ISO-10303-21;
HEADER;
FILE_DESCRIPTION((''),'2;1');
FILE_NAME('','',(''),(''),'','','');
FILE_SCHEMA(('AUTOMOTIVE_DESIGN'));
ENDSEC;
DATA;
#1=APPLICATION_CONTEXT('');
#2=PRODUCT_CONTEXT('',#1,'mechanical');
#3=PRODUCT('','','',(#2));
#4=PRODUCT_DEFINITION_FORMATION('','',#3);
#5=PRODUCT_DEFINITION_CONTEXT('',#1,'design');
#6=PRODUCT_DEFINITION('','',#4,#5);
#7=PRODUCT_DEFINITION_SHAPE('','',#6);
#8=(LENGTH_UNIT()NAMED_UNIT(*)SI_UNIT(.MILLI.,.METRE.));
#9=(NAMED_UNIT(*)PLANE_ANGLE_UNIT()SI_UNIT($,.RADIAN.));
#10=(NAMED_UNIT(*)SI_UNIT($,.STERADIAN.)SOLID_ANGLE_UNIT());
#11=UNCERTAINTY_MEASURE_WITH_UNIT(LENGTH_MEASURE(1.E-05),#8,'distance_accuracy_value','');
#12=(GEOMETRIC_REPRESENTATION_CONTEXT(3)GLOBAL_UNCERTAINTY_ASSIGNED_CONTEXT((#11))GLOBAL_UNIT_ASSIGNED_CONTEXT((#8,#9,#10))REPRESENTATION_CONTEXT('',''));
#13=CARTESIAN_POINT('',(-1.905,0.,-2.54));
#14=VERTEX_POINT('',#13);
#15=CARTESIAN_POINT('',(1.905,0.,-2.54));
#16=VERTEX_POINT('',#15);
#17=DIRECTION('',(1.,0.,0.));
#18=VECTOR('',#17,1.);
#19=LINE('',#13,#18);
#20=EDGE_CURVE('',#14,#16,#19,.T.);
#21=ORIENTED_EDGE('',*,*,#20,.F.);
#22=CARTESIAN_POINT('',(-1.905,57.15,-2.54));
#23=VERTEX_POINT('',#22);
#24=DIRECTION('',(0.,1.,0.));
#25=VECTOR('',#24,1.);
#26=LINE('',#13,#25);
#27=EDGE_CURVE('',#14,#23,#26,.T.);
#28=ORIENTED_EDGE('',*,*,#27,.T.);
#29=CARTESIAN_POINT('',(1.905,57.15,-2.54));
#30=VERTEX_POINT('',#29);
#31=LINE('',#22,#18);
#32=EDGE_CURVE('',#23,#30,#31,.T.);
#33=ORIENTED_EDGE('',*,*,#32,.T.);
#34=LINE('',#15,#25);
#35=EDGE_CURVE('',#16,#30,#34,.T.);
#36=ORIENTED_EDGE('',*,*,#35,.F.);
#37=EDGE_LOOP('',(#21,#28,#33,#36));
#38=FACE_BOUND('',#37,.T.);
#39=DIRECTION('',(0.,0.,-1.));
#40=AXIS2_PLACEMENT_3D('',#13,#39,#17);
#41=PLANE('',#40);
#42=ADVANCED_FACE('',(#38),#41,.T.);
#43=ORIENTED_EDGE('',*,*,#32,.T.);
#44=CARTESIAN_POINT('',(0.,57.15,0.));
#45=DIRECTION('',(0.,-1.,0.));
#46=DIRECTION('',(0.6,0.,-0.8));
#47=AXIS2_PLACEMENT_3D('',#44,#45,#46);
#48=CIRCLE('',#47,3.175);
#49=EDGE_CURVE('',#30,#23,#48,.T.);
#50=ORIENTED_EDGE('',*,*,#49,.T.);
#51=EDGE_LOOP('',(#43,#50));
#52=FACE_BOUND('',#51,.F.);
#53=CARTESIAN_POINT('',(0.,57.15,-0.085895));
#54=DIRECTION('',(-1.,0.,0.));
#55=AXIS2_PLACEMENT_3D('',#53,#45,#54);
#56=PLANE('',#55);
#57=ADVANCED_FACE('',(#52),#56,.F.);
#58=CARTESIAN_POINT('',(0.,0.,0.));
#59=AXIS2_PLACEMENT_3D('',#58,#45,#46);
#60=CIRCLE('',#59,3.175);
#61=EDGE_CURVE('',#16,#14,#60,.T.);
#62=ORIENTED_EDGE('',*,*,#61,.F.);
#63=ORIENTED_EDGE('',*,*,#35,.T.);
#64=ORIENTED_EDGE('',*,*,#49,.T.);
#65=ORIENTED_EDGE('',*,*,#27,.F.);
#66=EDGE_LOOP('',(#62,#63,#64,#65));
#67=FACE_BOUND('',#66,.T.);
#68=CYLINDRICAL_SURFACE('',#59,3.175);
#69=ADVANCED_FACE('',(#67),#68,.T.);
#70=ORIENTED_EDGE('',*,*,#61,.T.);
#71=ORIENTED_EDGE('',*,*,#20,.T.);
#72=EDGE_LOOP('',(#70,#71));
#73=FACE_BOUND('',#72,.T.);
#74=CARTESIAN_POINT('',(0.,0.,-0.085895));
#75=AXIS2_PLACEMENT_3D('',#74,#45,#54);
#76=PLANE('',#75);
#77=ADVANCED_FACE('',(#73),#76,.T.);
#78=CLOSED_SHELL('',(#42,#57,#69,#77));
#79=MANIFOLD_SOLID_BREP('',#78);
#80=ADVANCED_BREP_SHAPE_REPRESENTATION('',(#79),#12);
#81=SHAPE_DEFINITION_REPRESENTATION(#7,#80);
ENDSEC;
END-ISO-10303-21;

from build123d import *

# Parameters (mm, degrees)
BOSS_EXTRUDE1_DEPTH = 57.15


with BuildPart() as part:
    # Sketch1 → Boss-Extrude1 (new body)
    with BuildSketch(Plane(origin=(0, 0, 0), x_dir=(1, 0, 0), z_dir=(0, 1, 0))):
        with BuildLine():
            Line((-1.905, 2.54), (1.905, 2.54))
            ThreePointArc((1.905, 2.54), (0, -3.175), (-1.905, 2.54))
        make_face()
    extrude(amount=BOSS_EXTRUDE1_DEPTH)


solid = part.part
